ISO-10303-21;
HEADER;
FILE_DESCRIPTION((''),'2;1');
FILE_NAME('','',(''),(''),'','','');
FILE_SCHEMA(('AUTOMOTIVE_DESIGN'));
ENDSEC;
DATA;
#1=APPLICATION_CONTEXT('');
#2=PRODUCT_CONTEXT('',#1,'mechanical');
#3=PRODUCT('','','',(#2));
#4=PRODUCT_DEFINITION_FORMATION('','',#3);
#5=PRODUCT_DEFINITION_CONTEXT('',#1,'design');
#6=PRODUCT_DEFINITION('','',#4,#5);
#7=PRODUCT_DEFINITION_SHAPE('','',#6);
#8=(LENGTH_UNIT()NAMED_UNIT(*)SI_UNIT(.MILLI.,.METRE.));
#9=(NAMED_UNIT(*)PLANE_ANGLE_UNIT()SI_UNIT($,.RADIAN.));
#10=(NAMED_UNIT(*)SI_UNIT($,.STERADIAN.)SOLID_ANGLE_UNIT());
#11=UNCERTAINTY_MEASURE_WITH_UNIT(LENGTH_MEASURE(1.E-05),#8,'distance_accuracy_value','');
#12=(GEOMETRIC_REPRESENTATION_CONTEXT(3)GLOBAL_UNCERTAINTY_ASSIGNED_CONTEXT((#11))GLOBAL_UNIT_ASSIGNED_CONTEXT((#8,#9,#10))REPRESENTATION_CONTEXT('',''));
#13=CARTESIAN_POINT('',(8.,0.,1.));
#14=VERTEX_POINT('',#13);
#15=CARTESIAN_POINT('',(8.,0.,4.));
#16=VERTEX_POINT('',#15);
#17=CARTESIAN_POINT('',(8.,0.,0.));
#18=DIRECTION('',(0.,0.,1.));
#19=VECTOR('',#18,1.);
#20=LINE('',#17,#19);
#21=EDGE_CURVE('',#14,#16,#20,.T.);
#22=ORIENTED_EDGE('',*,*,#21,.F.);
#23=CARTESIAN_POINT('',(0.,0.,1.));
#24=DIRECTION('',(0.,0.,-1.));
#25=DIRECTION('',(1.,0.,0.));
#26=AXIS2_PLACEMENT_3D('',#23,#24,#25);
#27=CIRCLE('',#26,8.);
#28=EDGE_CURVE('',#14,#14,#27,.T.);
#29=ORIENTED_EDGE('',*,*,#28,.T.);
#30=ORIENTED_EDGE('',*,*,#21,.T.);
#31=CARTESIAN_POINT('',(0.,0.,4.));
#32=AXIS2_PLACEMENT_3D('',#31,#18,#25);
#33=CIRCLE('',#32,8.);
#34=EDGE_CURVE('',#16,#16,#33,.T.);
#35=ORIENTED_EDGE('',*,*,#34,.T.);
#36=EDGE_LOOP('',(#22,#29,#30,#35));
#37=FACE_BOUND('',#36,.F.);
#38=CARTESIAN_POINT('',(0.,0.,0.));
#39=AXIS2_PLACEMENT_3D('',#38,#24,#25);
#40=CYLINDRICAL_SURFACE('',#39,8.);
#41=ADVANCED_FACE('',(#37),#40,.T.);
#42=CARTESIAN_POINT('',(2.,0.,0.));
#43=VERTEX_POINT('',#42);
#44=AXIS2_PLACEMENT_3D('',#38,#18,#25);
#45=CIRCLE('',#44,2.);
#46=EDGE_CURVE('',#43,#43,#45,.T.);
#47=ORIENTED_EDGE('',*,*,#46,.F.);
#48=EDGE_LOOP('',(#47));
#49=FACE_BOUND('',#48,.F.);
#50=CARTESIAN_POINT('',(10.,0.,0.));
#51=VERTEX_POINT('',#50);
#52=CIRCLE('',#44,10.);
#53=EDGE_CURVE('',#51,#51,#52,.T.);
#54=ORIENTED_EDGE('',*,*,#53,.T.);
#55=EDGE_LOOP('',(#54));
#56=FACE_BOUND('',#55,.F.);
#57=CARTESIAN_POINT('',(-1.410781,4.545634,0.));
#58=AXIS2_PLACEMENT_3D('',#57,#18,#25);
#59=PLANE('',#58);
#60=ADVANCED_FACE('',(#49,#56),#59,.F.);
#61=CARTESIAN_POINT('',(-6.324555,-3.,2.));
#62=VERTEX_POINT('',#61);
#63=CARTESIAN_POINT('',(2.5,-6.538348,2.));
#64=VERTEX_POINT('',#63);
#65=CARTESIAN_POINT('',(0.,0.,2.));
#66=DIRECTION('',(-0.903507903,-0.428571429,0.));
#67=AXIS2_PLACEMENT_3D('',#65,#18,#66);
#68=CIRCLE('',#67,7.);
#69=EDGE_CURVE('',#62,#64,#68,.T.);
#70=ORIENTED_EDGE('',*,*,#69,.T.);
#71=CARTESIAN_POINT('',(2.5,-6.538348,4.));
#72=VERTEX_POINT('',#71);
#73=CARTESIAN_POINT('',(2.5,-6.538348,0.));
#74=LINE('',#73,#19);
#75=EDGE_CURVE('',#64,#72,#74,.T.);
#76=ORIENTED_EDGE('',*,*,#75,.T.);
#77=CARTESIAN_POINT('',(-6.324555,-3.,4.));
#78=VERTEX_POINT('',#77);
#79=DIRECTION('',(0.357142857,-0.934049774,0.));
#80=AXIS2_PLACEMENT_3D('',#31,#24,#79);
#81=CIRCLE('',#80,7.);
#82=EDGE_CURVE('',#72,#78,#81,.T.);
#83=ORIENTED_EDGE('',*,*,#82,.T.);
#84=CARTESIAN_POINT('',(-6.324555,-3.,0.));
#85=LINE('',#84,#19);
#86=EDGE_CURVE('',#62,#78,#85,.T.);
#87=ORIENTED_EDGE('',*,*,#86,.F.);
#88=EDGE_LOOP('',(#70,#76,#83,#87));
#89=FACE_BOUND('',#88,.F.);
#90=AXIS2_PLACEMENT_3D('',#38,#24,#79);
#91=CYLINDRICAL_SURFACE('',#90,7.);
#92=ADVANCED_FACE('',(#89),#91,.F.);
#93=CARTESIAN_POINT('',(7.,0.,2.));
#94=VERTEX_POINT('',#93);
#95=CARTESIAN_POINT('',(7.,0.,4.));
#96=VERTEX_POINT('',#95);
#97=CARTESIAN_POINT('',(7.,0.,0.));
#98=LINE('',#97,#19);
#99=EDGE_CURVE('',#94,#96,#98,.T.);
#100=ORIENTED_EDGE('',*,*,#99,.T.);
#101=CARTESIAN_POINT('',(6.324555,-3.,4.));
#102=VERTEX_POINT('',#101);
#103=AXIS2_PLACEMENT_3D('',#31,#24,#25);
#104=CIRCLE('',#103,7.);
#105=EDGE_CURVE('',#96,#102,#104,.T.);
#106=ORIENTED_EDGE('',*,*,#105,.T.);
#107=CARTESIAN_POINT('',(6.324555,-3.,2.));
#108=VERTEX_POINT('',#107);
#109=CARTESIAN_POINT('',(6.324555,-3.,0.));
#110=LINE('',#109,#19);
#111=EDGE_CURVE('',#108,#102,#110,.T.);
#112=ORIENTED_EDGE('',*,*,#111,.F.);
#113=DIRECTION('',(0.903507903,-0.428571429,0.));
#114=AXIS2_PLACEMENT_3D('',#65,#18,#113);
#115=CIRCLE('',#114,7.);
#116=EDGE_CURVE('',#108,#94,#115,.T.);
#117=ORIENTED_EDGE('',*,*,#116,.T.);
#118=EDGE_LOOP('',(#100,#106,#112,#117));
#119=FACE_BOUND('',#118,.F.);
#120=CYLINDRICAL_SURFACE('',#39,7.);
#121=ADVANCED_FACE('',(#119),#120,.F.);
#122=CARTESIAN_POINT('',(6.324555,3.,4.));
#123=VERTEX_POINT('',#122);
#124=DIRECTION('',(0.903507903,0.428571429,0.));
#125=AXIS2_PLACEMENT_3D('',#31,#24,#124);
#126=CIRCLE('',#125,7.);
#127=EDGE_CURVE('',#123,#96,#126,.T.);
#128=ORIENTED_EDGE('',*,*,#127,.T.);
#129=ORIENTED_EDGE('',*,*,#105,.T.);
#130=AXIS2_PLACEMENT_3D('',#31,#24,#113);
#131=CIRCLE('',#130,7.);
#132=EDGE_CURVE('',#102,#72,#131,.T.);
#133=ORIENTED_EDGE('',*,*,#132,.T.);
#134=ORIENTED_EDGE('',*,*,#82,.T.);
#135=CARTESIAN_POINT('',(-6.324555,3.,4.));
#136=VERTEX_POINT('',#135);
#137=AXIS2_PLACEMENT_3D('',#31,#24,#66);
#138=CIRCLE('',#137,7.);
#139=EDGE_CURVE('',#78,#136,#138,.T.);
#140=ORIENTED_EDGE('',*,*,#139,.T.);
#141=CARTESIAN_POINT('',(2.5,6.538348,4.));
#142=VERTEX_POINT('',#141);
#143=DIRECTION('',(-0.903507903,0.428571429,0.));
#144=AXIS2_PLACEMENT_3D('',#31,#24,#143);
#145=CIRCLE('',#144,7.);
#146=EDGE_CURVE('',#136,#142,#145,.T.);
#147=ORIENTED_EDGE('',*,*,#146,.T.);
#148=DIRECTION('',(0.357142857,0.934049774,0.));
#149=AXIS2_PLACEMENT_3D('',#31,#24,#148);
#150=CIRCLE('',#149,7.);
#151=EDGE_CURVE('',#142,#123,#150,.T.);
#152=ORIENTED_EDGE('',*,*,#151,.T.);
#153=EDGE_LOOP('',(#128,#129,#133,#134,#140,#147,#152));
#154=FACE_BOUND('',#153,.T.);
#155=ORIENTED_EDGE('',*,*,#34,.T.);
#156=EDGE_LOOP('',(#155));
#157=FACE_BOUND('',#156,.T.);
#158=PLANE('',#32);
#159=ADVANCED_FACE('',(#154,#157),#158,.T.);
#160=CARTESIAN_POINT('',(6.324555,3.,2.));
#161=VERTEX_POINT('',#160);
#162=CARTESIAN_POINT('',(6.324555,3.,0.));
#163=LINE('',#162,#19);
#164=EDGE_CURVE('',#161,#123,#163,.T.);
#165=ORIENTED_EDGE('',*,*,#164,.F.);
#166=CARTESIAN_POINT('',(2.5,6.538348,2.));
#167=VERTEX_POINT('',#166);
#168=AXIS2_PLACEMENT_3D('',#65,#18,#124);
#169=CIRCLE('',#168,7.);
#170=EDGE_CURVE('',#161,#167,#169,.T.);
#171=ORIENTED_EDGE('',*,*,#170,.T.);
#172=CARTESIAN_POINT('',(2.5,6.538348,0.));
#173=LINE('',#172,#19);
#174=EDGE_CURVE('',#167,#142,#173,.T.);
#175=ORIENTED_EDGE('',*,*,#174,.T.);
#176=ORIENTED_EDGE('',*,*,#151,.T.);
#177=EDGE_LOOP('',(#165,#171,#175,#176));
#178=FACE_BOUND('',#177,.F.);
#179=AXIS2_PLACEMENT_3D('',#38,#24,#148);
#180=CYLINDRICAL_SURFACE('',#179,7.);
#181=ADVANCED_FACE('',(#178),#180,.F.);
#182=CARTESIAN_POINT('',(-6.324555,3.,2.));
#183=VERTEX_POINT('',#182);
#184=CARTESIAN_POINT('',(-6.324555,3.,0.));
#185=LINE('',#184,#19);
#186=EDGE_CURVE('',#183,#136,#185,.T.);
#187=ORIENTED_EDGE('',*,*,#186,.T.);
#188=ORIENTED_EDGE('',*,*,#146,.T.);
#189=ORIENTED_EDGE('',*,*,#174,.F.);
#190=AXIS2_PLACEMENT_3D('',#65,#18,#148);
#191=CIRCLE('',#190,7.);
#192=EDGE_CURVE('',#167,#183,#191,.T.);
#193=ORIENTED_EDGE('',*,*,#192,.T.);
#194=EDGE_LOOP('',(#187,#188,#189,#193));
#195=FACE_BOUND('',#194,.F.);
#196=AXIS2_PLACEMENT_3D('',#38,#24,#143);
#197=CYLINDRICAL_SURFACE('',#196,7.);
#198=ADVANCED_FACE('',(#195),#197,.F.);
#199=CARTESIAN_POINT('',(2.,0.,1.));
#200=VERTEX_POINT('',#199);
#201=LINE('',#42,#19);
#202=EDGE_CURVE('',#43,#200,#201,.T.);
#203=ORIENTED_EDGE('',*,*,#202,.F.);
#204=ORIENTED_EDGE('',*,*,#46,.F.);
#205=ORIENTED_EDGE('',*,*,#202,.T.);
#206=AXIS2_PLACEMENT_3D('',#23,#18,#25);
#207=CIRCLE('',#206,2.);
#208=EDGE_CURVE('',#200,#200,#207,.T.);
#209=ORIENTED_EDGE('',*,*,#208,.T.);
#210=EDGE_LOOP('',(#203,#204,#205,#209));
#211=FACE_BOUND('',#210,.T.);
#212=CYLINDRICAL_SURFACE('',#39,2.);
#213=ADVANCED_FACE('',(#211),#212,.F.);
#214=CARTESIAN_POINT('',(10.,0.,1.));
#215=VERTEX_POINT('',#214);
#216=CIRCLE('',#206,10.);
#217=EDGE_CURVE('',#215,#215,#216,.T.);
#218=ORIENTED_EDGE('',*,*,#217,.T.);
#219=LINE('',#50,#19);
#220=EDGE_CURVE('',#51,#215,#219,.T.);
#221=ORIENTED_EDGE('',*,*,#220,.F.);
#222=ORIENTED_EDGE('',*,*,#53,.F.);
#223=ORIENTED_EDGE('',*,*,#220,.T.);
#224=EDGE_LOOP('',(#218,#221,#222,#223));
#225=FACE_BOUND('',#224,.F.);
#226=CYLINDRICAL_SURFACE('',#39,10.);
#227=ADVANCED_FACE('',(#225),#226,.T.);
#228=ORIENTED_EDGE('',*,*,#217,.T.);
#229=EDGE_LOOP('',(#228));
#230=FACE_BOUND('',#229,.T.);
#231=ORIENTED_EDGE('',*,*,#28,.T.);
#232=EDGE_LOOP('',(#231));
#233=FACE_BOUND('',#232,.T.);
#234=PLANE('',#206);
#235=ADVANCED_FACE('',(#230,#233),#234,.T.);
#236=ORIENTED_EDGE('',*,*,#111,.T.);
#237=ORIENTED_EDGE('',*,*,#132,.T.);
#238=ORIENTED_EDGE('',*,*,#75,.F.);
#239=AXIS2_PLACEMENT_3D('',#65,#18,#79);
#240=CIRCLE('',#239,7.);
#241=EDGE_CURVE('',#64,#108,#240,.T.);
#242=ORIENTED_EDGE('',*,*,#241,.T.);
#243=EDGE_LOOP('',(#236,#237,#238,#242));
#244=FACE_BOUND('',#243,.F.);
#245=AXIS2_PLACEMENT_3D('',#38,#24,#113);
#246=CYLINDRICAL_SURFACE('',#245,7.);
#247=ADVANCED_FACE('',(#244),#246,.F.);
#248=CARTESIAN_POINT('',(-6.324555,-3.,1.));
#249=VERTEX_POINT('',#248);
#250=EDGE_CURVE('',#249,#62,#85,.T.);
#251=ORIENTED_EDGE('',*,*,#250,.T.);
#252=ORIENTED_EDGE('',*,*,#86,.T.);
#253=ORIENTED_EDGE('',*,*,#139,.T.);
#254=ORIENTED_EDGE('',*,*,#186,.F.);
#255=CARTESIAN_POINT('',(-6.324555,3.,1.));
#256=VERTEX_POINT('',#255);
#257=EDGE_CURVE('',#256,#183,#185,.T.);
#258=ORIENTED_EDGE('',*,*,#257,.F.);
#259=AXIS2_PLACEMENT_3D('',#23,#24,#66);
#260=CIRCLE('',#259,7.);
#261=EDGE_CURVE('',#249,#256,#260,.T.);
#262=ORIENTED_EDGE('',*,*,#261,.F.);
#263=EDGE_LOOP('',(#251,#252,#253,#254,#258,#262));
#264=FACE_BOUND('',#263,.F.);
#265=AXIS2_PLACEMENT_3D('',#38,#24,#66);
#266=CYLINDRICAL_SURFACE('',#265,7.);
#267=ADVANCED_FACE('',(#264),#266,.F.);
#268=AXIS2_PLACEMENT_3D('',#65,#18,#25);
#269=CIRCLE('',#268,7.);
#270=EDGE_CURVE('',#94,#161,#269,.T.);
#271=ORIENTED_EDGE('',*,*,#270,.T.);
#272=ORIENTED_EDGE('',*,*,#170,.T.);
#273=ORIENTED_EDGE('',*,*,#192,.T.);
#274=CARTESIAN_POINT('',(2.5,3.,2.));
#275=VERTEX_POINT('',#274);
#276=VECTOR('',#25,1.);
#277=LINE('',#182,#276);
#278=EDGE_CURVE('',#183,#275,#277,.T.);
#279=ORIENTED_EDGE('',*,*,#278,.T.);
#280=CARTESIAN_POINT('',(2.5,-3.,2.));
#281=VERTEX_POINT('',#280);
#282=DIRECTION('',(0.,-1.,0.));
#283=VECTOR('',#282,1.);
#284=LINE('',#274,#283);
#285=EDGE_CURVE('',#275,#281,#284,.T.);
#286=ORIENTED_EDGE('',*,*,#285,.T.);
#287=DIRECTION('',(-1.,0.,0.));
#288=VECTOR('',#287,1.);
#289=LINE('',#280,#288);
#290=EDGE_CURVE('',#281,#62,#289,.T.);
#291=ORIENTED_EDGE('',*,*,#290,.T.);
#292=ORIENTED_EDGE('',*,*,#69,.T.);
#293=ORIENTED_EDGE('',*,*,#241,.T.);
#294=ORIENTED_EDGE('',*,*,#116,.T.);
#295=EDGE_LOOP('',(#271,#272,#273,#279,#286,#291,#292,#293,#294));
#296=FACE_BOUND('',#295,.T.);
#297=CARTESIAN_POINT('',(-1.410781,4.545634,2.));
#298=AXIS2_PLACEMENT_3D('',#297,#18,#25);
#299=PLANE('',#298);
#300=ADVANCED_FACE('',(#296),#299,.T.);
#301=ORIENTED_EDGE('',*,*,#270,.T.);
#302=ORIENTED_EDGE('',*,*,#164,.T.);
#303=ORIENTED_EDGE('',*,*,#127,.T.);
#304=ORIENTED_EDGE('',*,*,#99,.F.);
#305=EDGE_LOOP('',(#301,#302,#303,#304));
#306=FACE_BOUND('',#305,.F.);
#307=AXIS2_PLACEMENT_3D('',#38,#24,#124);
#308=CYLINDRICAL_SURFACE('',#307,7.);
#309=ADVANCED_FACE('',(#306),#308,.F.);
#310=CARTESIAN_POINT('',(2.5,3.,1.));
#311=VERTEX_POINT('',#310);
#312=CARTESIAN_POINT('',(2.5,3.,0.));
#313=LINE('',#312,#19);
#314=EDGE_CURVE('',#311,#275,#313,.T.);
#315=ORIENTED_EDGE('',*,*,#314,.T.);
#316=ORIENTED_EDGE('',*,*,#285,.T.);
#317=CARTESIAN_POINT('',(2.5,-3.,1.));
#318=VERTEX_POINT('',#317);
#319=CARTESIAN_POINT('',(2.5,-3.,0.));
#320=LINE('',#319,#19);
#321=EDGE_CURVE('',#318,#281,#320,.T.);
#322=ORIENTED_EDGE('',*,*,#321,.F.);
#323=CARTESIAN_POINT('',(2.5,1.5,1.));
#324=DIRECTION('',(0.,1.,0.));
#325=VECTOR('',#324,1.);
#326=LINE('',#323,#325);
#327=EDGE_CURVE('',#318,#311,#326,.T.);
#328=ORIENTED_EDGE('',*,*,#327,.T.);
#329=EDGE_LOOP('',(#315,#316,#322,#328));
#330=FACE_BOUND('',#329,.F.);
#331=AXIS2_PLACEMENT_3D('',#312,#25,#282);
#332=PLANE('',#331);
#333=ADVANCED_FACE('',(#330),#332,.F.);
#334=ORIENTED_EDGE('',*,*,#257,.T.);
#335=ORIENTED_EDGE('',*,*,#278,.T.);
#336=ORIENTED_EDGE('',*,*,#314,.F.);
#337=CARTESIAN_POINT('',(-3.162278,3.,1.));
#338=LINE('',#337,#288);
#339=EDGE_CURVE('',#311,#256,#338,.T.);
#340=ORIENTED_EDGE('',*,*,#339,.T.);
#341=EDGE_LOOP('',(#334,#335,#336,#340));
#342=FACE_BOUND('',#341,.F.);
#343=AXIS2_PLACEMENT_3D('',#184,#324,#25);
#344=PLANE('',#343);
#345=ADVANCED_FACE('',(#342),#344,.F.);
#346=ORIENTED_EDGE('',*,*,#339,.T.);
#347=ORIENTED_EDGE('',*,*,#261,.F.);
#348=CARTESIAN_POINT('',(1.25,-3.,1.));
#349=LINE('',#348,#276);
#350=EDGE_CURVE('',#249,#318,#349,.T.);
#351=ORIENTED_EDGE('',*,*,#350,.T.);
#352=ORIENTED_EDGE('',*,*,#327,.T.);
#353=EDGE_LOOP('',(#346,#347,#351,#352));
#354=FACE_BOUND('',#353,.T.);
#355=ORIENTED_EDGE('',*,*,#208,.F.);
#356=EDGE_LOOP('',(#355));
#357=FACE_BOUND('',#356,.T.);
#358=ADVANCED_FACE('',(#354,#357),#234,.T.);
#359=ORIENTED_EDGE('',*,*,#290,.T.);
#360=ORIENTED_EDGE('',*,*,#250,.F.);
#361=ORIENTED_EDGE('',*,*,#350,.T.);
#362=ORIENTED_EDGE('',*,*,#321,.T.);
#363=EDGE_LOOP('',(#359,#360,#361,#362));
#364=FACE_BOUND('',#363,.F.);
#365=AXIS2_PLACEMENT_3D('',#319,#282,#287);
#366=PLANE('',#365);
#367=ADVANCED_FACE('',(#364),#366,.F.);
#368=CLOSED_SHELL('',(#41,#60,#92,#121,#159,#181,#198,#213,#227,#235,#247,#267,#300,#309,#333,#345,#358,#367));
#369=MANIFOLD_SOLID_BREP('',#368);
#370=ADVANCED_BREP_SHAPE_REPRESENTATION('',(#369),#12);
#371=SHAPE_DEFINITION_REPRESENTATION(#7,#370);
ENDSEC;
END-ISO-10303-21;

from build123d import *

# Parameters (mm, degrees)
F0_R     = 10
F0_R_2   = 8
F0_R_3   = 2
F1_DEPTH = 1
F2_DEPTH = 4
F3_DEPTH = 2


with BuildPart() as f1:
    # F0 (on Top) → F1 (new body)
    with BuildSketch(Plane.XY):
        Circle(F0_R)
        Circle(F0_R_2, mode=Mode.SUBTRACT)
        Circle(F0_R_2)
        with BuildLine():
            ThreePointArc((6.3245553203, 3), (6.8290514437, 1.5375488216), (7, 0))
            ThreePointArc((7, 0), (6.8290514437, -1.5375488216), (6.3245553203, -3))
            ThreePointArc((6.3245553203, -3), (4.7537534147, -5.1382709614), (2.5, -6.5383484153))
            ThreePointArc((2.5, -6.5383484153), (-2.6051455289, -6.4971699049), (-6.3245553203, -3))
            ThreePointArc((-6.3245553203, -3), (-7, 0), (-6.3245553203, 3))
            ThreePointArc((-6.3245553203, 3), (-2.6051455289, 6.4971699049), (2.5, 6.5383484153))
            ThreePointArc((2.5, 6.5383484153), (4.7537534147, 5.1382709614), (6.3245553203, 3))
        make_face(mode=Mode.SUBTRACT)
        with BuildLine():
            Line((2.5, -3), (2.5, 3))
            Line((2.5, 3), (-6.3245553203, 3))
            ThreePointArc((-6.3245553203, 3), (-7, 0), (-6.3245553203, -3))
            Line((-6.3245553203, -3), (2.5, -3))
        make_face()
        Circle(F0_R_3, mode=Mode.SUBTRACT)
        with BuildLine():
            Line((2.5, 3), (2.5, 6.5383484153))
            ThreePointArc((2.5, 6.5383484153), (-2.6051455289, 6.4971699049), (-6.3245553203, 3))
            Line((-6.3245553203, 3), (2.5, 3))
        make_face()
        with BuildLine():
            ThreePointArc((-6.3245553203, -3), (-2.6051455289, -6.4971699049), (2.5, -6.5383484153))
            Line((2.5, -6.5383484153), (2.5, -3))
            Line((2.5, -3), (-6.3245553203, -3))
        make_face()
        with BuildLine():
            ThreePointArc((6.3245553203, -3), (6.8290514437, -1.5375488216), (7, 0))
            ThreePointArc((7, 0), (6.8290514437, 1.5375488216), (6.3245553203, 3))
            Line((6.3245553203, 3), (2.5, 3))
            Line((2.5, 3), (2.5, -3))
            Line((2.5, -3), (6.3245553203, -3))
        make_face()
        with BuildLine():
            Line((2.5, 3), (6.3245553203, 3))
            ThreePointArc((6.3245553203, 3), (4.7537534147, 5.1382709614), (2.5, 6.5383484153))
            Line((2.5, 6.5383484153), (2.5, 3))
        make_face()
        with BuildLine():
            ThreePointArc((2.5, -6.5383484153), (4.7537534147, -5.1382709614), (6.3245553203, -3))
            Line((6.3245553203, -3), (2.5, -3))
            Line((2.5, -3), (2.5, -6.5383484153))
        make_face()
    extrude(amount=F1_DEPTH)

    # F0 (on Top) → F2 (join)
    with BuildSketch(Plane.XY):
        Circle(F0_R_2)
        with BuildLine():
            ThreePointArc((6.3245553203, 3), (6.8290514437, 1.5375488216), (7, 0))
            ThreePointArc((7, 0), (6.8290514437, -1.5375488216), (6.3245553203, -3))
            ThreePointArc((6.3245553203, -3), (4.7537534147, -5.1382709614), (2.5, -6.5383484153))
            ThreePointArc((2.5, -6.5383484153), (-2.6051455289, -6.4971699049), (-6.3245553203, -3))
            ThreePointArc((-6.3245553203, -3), (-7, 0), (-6.3245553203, 3))
            ThreePointArc((-6.3245553203, 3), (-2.6051455289, 6.4971699049), (2.5, 6.5383484153))
            ThreePointArc((2.5, 6.5383484153), (4.7537534147, 5.1382709614), (6.3245553203, 3))
        make_face(mode=Mode.SUBTRACT)
    extrude(amount=F2_DEPTH)

    # F0 (on Top) → F3 (join)
    with BuildSketch(Plane.XY):
        with BuildLine():
            Line((2.5, 3), (2.5, 6.5383484153))
            ThreePointArc((2.5, 6.5383484153), (-2.6051455289, 6.4971699049), (-6.3245553203, 3))
            Line((-6.3245553203, 3), (2.5, 3))
        make_face()
        with BuildLine():
            Line((2.5, 3), (6.3245553203, 3))
            ThreePointArc((6.3245553203, 3), (4.7537534147, 5.1382709614), (2.5, 6.5383484153))
            Line((2.5, 6.5383484153), (2.5, 3))
        make_face()
        with BuildLine():
            ThreePointArc((6.3245553203, -3), (6.8290514437, -1.5375488216), (7, 0))
            ThreePointArc((7, 0), (6.8290514437, 1.5375488216), (6.3245553203, 3))
            Line((6.3245553203, 3), (2.5, 3))
            Line((2.5, 3), (2.5, -3))
            Line((2.5, -3), (6.3245553203, -3))
        make_face()
        with BuildLine():
            ThreePointArc((2.5, -6.5383484153), (4.7537534147, -5.1382709614), (6.3245553203, -3))
            Line((6.3245553203, -3), (2.5, -3))
            Line((2.5, -3), (2.5, -6.5383484153))
        make_face()
        with BuildLine():
            ThreePointArc((-6.3245553203, -3), (-2.6051455289, -6.4971699049), (2.5, -6.5383484153))
            Line((2.5, -6.5383484153), (2.5, -3))
            Line((2.5, -3), (-6.3245553203, -3))
        make_face()
    extrude(amount=F3_DEPTH)


solid = f1.part
